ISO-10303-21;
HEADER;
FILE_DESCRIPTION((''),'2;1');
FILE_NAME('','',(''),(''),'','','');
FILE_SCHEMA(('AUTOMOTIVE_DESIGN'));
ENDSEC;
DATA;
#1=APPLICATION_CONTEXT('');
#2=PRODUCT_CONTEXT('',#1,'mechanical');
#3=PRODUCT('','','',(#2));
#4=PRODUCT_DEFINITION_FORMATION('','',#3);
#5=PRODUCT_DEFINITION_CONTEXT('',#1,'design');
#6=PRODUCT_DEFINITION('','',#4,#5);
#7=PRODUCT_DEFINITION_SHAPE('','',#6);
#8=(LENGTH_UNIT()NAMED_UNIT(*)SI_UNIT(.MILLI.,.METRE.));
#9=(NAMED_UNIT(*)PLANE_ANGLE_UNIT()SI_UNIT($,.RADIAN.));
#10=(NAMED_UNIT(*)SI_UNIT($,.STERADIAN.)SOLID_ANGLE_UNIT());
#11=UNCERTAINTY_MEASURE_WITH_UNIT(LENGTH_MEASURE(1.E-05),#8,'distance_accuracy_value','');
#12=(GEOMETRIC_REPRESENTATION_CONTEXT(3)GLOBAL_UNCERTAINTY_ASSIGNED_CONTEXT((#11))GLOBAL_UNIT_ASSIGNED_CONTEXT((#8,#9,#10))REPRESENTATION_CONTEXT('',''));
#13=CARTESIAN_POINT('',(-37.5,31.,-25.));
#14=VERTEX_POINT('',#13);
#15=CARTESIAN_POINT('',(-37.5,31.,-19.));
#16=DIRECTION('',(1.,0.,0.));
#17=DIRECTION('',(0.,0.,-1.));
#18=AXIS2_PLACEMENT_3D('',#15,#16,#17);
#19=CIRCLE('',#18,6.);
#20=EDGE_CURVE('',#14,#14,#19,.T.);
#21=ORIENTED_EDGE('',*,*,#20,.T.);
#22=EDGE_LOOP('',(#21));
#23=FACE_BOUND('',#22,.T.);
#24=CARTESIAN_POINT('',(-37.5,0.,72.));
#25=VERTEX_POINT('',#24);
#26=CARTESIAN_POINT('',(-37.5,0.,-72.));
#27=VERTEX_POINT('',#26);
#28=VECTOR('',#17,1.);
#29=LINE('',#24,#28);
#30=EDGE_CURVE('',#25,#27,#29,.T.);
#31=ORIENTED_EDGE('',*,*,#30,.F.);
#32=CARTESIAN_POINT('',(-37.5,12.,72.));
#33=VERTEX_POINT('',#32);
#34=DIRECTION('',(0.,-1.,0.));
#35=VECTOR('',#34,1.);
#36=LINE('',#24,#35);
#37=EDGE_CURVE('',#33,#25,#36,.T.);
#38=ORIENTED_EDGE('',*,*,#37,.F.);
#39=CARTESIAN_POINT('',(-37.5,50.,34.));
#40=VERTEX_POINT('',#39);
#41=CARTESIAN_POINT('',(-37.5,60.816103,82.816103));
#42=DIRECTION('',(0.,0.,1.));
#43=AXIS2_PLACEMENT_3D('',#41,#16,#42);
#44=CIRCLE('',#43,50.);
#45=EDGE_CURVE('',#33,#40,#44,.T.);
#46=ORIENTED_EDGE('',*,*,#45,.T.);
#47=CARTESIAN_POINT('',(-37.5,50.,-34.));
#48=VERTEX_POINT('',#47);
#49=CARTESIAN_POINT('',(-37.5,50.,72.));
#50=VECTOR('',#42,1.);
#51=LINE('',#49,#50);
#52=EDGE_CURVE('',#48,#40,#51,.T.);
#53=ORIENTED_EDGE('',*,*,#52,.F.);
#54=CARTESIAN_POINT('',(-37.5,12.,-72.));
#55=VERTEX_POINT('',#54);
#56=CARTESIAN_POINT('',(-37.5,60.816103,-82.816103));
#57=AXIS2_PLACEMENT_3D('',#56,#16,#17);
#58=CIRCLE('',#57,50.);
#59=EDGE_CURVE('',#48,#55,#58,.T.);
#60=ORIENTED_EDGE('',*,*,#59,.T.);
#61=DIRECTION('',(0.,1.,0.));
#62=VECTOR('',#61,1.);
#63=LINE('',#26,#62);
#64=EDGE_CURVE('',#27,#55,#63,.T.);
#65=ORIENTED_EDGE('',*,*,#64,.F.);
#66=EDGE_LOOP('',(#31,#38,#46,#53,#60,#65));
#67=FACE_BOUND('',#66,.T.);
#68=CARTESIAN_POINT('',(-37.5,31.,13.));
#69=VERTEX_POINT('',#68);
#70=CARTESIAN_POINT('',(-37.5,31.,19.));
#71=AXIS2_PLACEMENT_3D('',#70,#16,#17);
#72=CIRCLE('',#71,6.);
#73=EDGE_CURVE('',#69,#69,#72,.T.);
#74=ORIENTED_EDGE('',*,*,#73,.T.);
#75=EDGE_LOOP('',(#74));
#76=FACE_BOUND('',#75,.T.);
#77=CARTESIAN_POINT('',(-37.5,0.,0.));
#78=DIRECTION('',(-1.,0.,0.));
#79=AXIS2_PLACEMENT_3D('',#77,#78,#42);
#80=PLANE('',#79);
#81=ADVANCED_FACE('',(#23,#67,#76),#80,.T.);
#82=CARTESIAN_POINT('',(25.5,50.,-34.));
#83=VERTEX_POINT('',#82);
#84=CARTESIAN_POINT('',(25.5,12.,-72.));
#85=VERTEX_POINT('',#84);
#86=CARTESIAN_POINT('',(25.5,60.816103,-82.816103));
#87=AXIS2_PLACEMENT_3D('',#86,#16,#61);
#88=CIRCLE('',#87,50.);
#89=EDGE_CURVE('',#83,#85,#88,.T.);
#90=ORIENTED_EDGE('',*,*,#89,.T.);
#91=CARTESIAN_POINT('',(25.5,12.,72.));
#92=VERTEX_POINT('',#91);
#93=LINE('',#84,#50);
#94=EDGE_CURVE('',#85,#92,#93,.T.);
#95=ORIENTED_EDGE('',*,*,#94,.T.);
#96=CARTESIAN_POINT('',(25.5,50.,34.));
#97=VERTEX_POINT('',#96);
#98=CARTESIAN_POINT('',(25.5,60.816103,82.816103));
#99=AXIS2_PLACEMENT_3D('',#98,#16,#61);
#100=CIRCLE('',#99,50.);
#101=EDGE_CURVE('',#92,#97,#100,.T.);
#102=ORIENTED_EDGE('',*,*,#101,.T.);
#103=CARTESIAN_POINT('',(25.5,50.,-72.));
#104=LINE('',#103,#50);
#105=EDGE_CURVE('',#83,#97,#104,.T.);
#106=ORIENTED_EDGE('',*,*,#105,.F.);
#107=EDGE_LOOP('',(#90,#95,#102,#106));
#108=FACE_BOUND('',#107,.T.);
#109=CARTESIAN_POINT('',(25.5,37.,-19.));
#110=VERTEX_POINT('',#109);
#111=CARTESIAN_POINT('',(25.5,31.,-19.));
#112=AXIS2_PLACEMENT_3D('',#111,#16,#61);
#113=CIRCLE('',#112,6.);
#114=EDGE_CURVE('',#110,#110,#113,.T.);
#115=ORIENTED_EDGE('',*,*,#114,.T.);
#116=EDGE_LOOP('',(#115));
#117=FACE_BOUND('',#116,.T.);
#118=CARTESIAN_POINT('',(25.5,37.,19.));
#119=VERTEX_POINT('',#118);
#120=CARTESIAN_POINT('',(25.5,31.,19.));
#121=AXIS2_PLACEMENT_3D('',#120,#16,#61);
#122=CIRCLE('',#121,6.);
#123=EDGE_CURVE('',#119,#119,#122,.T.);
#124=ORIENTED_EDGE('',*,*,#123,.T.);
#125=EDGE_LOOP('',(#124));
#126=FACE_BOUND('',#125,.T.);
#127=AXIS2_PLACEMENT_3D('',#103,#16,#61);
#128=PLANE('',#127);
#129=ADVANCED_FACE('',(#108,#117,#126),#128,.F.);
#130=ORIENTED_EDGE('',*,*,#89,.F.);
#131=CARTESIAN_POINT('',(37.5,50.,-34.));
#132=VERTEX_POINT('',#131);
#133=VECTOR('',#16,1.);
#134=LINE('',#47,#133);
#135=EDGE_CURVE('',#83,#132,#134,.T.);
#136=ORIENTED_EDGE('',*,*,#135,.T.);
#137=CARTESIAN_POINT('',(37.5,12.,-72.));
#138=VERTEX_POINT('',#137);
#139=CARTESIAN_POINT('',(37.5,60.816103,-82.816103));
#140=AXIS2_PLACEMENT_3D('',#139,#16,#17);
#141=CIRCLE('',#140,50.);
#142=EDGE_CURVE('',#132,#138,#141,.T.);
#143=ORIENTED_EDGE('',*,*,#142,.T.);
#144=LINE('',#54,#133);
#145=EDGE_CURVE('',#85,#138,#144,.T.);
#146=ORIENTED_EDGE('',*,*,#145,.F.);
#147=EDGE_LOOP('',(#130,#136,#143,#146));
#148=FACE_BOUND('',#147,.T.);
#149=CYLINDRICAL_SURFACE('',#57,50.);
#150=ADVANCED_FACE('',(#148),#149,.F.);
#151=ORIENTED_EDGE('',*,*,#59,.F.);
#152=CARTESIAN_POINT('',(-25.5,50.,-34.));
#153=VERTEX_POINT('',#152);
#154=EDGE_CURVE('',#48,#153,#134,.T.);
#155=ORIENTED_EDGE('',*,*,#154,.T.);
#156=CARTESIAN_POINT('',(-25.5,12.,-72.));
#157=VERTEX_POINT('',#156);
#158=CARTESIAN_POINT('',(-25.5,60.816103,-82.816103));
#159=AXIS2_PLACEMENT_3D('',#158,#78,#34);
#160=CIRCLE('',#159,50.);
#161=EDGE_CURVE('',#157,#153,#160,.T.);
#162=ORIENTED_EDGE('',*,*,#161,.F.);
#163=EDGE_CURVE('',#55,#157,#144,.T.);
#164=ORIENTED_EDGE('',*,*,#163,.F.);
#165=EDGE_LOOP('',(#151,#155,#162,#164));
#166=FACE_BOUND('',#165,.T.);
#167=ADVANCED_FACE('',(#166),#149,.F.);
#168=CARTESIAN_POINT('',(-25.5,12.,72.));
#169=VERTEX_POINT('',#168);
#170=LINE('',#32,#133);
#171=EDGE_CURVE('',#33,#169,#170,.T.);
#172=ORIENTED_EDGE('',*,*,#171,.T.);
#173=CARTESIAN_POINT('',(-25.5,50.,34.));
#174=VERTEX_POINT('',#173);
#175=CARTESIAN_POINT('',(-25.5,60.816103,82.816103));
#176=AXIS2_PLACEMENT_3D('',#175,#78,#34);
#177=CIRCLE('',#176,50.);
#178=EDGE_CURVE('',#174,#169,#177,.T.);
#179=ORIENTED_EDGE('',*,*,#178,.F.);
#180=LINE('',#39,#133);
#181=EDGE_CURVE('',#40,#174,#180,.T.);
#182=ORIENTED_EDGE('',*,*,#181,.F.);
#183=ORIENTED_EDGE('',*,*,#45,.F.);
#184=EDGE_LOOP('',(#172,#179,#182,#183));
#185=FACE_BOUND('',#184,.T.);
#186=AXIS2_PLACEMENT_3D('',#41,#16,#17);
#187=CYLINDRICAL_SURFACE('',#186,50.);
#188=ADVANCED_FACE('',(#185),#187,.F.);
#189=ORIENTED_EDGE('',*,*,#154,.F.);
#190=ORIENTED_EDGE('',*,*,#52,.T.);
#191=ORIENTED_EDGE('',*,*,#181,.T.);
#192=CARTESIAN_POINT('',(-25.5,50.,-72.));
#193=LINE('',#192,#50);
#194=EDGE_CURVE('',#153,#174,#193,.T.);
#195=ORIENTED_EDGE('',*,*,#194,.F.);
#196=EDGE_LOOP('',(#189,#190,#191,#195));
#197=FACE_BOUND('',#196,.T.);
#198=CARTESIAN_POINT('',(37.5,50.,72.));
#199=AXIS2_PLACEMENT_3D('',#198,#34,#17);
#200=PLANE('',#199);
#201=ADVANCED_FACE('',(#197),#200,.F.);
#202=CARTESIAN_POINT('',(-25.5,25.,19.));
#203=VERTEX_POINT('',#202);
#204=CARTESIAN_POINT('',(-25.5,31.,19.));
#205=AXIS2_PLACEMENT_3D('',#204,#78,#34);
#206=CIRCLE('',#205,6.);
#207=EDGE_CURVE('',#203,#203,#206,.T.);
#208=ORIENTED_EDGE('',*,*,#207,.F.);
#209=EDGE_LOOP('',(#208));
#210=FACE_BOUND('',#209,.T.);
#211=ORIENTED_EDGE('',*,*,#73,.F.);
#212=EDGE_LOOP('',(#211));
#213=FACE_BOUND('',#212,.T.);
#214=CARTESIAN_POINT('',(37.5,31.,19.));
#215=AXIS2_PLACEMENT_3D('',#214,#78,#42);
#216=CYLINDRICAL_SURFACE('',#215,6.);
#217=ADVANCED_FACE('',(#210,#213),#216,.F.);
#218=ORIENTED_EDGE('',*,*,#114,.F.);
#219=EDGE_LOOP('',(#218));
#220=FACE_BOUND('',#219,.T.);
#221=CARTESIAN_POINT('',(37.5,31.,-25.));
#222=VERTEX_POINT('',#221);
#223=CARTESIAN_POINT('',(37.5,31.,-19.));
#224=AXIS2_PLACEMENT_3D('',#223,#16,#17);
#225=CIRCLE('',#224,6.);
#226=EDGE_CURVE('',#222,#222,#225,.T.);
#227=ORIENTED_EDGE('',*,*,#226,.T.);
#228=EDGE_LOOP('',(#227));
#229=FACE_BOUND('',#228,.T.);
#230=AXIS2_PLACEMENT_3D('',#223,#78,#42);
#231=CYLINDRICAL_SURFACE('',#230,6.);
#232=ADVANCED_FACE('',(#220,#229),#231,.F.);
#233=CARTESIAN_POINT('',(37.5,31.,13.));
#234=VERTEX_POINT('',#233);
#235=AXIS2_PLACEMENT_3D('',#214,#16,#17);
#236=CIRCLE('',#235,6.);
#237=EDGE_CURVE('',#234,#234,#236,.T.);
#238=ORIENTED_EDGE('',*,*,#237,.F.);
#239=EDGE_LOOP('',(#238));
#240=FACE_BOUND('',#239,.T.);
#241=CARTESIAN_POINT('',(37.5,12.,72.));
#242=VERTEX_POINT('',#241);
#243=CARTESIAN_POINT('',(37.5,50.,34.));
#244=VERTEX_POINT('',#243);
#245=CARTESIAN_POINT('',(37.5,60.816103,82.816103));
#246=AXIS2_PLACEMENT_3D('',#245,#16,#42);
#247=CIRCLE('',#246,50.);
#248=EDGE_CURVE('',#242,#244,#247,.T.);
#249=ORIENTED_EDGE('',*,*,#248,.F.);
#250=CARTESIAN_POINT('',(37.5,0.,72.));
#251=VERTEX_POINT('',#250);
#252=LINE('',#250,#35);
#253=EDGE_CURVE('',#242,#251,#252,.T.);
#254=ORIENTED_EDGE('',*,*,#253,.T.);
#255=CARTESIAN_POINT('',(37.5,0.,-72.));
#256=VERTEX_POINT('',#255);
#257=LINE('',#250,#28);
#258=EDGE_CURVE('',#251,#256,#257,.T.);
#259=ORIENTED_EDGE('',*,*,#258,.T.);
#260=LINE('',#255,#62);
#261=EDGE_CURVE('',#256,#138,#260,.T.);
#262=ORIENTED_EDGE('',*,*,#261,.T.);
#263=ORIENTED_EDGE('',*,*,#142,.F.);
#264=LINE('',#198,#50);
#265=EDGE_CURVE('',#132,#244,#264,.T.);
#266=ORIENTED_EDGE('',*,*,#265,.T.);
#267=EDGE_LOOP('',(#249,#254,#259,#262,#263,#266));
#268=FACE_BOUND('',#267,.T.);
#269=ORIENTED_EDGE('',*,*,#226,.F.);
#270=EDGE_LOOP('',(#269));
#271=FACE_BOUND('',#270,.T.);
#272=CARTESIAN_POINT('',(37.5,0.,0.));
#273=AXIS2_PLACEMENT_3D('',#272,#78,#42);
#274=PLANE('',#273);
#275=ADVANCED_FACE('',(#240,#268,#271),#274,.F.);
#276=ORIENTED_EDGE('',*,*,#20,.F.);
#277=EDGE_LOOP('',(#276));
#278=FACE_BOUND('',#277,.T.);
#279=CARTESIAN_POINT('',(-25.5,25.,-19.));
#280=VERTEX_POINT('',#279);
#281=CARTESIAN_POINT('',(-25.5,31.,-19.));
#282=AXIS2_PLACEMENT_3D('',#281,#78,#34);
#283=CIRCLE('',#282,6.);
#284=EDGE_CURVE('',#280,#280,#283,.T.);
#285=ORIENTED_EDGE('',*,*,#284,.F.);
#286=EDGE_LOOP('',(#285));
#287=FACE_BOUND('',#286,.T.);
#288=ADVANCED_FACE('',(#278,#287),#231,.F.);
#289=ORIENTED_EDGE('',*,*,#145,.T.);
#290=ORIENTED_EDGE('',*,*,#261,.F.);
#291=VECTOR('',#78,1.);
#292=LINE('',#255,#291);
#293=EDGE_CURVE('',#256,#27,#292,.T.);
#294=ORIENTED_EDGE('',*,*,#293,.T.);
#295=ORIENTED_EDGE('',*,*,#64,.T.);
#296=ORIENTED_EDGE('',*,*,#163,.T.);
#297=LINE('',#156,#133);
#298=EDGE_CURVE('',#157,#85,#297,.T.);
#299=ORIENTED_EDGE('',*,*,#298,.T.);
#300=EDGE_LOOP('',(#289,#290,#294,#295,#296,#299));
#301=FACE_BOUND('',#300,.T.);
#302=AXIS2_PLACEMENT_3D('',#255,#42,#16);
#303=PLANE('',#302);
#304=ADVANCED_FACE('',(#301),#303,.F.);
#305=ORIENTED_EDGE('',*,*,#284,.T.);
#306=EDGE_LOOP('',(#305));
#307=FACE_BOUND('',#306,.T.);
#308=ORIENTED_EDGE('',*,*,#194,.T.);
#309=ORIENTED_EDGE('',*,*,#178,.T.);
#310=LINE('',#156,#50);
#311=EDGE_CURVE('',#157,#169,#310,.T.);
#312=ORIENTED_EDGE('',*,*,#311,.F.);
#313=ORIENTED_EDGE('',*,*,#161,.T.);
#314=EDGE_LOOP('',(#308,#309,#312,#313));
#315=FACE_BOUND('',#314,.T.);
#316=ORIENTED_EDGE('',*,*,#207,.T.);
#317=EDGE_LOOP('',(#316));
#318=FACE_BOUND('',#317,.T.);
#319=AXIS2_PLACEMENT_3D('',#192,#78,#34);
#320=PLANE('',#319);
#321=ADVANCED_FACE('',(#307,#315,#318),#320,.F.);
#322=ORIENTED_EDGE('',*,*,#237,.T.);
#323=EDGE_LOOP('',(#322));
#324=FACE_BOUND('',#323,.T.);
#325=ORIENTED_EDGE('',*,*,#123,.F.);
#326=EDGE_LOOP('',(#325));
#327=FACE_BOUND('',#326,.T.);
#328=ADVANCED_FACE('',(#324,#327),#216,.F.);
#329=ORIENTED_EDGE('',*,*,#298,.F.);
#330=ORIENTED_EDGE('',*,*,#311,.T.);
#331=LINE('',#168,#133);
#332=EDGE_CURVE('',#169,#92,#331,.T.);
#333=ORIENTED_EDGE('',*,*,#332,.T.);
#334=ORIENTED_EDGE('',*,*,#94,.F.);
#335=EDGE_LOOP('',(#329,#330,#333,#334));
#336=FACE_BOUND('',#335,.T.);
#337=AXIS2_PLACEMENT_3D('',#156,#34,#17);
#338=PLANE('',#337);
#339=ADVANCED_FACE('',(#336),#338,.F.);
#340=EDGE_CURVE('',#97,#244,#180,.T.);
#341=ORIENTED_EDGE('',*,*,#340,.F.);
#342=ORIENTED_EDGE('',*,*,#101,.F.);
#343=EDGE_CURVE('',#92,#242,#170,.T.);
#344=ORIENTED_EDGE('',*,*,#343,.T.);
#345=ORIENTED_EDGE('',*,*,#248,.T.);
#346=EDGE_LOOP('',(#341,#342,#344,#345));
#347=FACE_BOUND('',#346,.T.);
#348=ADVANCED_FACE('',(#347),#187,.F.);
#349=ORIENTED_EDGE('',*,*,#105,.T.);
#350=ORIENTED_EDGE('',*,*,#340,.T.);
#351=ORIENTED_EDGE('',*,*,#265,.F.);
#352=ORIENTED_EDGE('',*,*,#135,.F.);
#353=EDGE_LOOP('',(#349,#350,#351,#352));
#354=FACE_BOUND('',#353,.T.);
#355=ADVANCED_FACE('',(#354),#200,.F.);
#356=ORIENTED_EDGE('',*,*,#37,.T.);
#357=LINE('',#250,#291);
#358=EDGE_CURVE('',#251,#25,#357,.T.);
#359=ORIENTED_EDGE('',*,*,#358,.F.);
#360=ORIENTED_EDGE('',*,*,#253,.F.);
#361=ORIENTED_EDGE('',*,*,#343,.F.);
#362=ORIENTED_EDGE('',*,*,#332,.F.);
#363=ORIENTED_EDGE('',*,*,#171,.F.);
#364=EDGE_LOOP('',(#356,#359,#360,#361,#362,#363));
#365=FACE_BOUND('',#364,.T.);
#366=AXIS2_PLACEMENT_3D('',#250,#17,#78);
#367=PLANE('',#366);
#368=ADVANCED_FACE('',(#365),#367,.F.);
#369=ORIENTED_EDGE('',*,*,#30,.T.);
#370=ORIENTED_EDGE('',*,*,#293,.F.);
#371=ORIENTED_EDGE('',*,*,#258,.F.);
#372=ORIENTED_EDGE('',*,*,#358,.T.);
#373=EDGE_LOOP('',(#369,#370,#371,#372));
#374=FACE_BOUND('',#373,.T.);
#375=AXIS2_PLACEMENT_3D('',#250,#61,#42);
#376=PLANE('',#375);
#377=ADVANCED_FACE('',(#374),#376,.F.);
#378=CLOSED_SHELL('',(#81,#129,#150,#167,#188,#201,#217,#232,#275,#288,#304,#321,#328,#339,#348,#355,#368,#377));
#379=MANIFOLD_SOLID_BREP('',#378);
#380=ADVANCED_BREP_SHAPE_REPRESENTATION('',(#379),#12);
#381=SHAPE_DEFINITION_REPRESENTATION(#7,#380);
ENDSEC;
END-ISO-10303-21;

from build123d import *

# Parameters (mm, degrees)
SKETCH8_W           = 144
SKETCH8_H           = 50
SKETCH8_R           = 6
BOSS_EXTRUDE5_DEPTH = 37.5
SKETCH9_W           = 51
SKETCH9_H           = 38
CUT_EXTRUDE1_DEPTH  = 157.978501713
CUT_EXTRUDE2_DEPTH  = 116.364639296


with BuildPart() as part:
    # Sketch8 → Boss-Extrude5 (new, symmetric)
    with BuildSketch(Plane(origin=(0, 0, 0), x_dir=(0, 0, -1), z_dir=(1, 0, 0))):
        with Locations((0, 25)):
            Rectangle(SKETCH8_W, SKETCH8_H)
        with Locations((-19, 31)):
            Circle(SKETCH8_R, mode=Mode.SUBTRACT)
        with Locations((19, 31)):
            Circle(SKETCH8_R, mode=Mode.SUBTRACT)
    extrude(amount=BOSS_EXTRUDE5_DEPTH, both=True)

    # Sketch9 → Cut-Extrude1 (cut, through all)
    with BuildSketch(Plane.XY.offset(72)):
        with Locations((0, 31)):
            Rectangle(SKETCH9_W, SKETCH9_H)
    extrude(amount=-CUT_EXTRUDE1_DEPTH, mode=Mode.SUBTRACT)

    # Sketch10 → Cut-Extrude2 (cut, through all)
    with BuildSketch(Plane(origin=(37.5, 0, 0), x_dir=(0, 0, -1), z_dir=(1, 0, 0))):
        with BuildLine():
            Line((-72, 50), (-34, 50))
            ThreePointArc((-34, 50), (-47.460763972, 25.460763972), (-72, 12))
            Line((-72, 12), (-72, 50))
        make_face()
        with BuildLine():
            Line((72, 50), (34, 50))
            ThreePointArc((34, 50), (47.460763972, 25.460763972), (72, 12))
            Line((72, 12), (72, 50))
        make_face()
    extrude(amount=-CUT_EXTRUDE2_DEPTH, mode=Mode.SUBTRACT)


solid = part.part
